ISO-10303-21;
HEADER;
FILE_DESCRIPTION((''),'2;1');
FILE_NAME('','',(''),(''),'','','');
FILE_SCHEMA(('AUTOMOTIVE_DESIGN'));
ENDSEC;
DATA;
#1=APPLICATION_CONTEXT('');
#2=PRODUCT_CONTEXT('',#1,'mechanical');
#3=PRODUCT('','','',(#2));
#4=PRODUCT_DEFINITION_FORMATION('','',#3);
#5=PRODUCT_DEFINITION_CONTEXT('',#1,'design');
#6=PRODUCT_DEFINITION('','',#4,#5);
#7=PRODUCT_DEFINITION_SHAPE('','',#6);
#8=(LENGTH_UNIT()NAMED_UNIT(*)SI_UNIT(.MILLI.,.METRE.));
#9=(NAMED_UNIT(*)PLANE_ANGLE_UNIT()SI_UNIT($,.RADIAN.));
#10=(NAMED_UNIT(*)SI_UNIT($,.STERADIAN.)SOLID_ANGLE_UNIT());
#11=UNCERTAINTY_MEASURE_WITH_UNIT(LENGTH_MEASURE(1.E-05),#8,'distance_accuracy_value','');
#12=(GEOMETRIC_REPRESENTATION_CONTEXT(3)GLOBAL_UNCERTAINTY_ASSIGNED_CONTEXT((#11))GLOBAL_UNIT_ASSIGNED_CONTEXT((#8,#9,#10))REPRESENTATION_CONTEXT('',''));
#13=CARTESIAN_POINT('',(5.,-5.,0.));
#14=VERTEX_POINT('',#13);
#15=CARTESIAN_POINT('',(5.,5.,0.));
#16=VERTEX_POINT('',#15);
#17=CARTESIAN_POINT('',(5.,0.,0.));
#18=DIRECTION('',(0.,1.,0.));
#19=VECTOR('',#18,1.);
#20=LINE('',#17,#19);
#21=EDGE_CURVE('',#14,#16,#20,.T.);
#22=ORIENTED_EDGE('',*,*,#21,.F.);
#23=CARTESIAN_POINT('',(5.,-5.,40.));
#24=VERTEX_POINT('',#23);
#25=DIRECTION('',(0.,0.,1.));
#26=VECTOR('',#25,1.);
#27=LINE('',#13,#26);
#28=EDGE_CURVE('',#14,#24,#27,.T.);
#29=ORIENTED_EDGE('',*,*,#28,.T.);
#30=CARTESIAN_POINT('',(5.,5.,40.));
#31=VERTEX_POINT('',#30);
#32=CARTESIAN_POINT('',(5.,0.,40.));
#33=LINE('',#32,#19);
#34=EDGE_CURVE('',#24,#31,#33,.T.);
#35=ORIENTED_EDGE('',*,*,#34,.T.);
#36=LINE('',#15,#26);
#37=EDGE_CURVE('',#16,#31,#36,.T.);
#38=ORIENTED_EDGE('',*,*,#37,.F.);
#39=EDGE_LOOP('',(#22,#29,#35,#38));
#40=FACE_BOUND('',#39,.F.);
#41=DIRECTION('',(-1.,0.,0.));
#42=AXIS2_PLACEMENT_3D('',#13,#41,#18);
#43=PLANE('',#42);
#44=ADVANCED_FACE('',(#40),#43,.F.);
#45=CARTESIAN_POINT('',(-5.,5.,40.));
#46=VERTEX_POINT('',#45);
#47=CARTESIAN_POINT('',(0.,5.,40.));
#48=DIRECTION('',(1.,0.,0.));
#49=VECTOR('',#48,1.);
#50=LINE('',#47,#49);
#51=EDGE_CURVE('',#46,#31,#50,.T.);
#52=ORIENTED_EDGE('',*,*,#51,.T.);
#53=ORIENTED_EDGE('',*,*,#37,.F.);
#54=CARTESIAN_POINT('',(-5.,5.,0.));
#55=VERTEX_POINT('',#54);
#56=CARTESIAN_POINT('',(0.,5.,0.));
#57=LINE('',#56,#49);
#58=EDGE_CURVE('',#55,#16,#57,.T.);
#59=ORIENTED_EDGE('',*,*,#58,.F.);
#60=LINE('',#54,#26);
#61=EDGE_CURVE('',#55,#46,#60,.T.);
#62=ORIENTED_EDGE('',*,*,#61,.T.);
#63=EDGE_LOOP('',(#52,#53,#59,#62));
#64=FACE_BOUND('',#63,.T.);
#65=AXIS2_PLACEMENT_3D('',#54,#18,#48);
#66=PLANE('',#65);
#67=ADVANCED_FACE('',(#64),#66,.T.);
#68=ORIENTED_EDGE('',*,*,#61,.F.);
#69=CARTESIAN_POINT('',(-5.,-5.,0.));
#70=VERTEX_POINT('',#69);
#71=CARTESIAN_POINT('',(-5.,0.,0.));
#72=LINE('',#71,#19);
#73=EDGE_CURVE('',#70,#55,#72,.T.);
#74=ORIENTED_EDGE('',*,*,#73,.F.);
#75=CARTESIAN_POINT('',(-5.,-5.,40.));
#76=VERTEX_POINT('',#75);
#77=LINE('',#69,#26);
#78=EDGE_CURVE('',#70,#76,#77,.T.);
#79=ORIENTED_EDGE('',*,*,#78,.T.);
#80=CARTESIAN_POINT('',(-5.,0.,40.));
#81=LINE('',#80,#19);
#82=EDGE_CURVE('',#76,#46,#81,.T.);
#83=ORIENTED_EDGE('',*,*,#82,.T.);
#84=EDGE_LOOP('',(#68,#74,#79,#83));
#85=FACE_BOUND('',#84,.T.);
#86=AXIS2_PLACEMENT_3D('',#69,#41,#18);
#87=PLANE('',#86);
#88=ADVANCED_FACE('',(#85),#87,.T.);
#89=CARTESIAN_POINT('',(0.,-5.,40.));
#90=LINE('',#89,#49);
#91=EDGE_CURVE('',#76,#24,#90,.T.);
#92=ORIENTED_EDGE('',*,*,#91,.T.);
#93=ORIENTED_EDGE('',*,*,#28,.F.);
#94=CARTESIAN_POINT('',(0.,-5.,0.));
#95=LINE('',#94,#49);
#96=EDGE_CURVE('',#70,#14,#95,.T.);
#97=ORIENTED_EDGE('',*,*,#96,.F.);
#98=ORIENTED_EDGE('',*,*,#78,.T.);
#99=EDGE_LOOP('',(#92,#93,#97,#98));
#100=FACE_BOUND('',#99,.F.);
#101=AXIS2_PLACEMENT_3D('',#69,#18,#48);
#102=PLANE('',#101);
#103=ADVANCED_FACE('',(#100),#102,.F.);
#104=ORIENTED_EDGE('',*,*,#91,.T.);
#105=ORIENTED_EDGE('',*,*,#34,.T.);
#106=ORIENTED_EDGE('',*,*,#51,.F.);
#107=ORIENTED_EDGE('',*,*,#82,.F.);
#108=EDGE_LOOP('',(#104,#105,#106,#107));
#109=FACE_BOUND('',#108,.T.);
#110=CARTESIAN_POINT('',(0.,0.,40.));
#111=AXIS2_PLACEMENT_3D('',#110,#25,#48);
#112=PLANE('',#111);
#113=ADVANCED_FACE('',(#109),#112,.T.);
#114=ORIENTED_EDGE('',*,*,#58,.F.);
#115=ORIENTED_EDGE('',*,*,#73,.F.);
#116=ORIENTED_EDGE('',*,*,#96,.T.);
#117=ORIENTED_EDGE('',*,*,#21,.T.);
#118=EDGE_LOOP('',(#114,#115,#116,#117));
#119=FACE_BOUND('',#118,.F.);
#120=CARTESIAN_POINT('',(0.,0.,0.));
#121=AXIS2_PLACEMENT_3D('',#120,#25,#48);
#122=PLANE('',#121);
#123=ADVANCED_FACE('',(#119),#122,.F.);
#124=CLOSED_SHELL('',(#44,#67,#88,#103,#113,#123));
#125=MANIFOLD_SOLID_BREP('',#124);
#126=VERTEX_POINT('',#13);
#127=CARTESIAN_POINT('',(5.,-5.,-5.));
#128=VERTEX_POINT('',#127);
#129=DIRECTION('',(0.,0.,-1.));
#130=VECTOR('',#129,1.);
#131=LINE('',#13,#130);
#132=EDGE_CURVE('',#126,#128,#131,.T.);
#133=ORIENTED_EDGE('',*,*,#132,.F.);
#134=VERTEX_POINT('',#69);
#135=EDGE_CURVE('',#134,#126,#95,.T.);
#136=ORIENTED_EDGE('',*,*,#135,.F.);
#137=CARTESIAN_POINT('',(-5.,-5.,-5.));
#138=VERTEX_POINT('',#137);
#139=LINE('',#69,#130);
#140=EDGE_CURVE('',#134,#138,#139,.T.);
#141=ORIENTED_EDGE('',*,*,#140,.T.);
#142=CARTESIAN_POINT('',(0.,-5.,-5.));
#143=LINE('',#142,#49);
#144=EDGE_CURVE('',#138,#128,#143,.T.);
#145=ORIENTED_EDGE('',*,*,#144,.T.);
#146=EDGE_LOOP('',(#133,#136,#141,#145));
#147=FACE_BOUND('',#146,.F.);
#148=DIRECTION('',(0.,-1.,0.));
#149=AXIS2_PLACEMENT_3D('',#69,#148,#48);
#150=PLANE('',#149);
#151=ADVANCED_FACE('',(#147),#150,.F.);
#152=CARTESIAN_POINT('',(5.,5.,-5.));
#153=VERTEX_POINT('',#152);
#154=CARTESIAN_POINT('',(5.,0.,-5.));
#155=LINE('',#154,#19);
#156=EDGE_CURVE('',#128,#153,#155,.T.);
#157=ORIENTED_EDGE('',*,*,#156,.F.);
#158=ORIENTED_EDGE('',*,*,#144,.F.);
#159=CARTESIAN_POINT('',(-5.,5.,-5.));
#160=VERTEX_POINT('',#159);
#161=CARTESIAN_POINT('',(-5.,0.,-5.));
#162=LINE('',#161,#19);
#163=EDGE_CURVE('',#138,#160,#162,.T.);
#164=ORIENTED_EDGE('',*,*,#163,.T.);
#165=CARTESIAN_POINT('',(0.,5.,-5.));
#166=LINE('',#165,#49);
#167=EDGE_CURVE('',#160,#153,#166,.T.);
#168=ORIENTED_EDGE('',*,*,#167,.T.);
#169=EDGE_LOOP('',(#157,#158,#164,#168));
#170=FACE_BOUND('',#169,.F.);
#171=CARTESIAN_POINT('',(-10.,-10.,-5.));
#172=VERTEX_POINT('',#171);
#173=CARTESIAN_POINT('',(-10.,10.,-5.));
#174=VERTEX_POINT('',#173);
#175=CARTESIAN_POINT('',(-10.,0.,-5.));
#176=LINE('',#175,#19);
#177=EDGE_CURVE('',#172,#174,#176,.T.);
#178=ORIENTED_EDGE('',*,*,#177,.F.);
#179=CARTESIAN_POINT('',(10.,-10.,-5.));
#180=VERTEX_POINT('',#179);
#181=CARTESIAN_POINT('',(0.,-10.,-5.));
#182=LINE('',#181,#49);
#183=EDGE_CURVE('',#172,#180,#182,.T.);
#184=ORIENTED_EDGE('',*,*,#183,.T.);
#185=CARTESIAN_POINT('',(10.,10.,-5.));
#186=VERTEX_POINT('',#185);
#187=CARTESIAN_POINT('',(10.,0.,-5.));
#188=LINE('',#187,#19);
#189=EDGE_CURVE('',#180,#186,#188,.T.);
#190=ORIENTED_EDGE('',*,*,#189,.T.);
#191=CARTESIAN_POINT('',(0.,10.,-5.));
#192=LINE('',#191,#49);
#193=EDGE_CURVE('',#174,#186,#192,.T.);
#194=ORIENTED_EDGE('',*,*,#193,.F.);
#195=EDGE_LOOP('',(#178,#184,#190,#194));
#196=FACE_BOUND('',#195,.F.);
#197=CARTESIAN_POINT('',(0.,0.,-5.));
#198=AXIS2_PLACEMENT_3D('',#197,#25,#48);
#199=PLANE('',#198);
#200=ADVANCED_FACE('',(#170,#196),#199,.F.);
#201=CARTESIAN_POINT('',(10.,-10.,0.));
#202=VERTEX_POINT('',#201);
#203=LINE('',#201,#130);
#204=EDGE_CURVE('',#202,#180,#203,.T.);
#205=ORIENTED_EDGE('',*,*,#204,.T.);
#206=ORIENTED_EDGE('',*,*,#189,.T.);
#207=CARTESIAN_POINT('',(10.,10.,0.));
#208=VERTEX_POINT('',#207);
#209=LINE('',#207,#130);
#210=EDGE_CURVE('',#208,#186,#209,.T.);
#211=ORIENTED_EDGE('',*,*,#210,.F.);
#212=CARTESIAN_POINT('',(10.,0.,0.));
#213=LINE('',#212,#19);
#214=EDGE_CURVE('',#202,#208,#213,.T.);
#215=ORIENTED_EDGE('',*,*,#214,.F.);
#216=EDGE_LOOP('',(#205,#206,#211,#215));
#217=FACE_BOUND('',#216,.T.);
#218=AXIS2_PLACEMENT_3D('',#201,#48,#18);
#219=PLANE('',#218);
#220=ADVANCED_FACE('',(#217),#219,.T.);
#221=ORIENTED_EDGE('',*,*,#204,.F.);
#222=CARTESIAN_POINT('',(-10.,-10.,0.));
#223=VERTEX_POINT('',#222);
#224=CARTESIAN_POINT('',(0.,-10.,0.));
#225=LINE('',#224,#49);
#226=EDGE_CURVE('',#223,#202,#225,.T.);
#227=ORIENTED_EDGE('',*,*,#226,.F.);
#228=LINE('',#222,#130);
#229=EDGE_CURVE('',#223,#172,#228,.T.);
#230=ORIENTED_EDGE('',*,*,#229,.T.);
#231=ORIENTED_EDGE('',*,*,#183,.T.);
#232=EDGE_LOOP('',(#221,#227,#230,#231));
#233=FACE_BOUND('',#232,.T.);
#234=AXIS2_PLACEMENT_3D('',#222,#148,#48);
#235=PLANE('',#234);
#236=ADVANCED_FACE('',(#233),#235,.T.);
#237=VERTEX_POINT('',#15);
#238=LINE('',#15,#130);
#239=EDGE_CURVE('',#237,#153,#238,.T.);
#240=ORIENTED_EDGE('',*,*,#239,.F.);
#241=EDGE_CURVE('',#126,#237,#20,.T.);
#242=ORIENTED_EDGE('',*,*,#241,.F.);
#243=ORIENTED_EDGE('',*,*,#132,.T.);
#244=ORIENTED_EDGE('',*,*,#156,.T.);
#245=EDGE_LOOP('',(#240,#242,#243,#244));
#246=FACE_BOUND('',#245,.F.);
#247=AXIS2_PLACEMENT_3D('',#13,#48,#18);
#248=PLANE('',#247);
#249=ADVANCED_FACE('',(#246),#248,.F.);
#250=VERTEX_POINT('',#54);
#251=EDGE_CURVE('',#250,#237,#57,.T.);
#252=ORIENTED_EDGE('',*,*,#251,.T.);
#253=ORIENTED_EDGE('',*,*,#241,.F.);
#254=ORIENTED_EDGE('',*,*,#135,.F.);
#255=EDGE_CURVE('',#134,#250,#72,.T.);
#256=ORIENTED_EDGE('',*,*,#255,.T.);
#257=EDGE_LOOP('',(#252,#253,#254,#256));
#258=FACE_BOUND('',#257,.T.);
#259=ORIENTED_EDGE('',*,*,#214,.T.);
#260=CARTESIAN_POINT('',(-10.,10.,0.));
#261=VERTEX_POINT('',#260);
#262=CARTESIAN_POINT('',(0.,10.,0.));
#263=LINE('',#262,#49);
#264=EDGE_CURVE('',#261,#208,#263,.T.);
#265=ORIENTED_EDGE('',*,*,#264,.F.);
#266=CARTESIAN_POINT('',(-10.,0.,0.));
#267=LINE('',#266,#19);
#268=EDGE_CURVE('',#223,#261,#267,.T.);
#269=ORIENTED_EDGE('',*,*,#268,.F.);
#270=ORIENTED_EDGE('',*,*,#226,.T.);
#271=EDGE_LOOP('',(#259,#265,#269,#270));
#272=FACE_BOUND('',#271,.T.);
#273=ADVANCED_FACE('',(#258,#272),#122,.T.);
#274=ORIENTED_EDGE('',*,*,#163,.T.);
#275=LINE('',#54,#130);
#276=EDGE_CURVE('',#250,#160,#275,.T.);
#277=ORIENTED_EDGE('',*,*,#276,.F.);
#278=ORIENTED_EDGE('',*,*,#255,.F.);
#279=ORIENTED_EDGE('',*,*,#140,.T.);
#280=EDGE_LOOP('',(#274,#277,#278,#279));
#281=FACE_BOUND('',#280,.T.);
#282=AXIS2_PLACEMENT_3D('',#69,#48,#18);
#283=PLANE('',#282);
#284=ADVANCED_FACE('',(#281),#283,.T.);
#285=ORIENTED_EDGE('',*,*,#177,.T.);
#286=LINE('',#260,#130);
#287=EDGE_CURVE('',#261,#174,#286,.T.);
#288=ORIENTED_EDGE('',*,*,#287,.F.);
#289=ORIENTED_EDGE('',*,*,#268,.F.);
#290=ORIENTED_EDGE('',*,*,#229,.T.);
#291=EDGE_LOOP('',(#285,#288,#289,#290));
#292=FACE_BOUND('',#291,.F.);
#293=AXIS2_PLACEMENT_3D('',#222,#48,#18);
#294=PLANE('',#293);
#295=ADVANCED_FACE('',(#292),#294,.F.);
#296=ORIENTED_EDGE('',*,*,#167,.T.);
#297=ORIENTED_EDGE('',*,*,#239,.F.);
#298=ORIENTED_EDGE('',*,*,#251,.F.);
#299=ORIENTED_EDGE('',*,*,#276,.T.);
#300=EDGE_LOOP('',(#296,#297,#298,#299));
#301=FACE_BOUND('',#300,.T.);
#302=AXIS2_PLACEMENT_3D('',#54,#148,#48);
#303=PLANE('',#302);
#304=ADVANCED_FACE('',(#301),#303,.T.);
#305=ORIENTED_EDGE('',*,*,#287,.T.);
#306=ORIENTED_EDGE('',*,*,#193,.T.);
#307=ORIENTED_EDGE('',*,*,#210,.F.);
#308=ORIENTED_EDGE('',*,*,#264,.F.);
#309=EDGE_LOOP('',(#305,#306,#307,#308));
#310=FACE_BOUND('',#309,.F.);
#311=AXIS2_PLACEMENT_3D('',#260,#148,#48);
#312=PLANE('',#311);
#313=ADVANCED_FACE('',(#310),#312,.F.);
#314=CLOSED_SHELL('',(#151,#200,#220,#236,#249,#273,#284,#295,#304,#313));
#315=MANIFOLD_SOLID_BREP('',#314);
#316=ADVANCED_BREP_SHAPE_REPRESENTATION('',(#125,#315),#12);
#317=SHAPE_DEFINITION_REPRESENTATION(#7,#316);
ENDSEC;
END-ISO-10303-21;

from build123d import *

# Parameters (mm, degrees)
F0_W     = 10
F0_H     = 10
F1_DEPTH = 40
F2_W     = 20
F2_H     = 20
F2_W_2   = 10
F2_H_2   = 10
F3_DEPTH = 5


with BuildPart() as f1:
    # F0 (on Top) → F1 (new body)
    with BuildSketch(Plane.XY):
        Rectangle(F0_W, F0_H)
    extrude(amount=F1_DEPTH)


with BuildPart() as f3:
    # F2 (on face) → F3 (new body)
    with BuildSketch(Plane.XY):
        Rectangle(F2_W, F2_H)
        Rectangle(F2_W_2, F2_H_2, mode=Mode.SUBTRACT)
    extrude(amount=-F3_DEPTH)


solid = Compound([f1.part, f3.part])
